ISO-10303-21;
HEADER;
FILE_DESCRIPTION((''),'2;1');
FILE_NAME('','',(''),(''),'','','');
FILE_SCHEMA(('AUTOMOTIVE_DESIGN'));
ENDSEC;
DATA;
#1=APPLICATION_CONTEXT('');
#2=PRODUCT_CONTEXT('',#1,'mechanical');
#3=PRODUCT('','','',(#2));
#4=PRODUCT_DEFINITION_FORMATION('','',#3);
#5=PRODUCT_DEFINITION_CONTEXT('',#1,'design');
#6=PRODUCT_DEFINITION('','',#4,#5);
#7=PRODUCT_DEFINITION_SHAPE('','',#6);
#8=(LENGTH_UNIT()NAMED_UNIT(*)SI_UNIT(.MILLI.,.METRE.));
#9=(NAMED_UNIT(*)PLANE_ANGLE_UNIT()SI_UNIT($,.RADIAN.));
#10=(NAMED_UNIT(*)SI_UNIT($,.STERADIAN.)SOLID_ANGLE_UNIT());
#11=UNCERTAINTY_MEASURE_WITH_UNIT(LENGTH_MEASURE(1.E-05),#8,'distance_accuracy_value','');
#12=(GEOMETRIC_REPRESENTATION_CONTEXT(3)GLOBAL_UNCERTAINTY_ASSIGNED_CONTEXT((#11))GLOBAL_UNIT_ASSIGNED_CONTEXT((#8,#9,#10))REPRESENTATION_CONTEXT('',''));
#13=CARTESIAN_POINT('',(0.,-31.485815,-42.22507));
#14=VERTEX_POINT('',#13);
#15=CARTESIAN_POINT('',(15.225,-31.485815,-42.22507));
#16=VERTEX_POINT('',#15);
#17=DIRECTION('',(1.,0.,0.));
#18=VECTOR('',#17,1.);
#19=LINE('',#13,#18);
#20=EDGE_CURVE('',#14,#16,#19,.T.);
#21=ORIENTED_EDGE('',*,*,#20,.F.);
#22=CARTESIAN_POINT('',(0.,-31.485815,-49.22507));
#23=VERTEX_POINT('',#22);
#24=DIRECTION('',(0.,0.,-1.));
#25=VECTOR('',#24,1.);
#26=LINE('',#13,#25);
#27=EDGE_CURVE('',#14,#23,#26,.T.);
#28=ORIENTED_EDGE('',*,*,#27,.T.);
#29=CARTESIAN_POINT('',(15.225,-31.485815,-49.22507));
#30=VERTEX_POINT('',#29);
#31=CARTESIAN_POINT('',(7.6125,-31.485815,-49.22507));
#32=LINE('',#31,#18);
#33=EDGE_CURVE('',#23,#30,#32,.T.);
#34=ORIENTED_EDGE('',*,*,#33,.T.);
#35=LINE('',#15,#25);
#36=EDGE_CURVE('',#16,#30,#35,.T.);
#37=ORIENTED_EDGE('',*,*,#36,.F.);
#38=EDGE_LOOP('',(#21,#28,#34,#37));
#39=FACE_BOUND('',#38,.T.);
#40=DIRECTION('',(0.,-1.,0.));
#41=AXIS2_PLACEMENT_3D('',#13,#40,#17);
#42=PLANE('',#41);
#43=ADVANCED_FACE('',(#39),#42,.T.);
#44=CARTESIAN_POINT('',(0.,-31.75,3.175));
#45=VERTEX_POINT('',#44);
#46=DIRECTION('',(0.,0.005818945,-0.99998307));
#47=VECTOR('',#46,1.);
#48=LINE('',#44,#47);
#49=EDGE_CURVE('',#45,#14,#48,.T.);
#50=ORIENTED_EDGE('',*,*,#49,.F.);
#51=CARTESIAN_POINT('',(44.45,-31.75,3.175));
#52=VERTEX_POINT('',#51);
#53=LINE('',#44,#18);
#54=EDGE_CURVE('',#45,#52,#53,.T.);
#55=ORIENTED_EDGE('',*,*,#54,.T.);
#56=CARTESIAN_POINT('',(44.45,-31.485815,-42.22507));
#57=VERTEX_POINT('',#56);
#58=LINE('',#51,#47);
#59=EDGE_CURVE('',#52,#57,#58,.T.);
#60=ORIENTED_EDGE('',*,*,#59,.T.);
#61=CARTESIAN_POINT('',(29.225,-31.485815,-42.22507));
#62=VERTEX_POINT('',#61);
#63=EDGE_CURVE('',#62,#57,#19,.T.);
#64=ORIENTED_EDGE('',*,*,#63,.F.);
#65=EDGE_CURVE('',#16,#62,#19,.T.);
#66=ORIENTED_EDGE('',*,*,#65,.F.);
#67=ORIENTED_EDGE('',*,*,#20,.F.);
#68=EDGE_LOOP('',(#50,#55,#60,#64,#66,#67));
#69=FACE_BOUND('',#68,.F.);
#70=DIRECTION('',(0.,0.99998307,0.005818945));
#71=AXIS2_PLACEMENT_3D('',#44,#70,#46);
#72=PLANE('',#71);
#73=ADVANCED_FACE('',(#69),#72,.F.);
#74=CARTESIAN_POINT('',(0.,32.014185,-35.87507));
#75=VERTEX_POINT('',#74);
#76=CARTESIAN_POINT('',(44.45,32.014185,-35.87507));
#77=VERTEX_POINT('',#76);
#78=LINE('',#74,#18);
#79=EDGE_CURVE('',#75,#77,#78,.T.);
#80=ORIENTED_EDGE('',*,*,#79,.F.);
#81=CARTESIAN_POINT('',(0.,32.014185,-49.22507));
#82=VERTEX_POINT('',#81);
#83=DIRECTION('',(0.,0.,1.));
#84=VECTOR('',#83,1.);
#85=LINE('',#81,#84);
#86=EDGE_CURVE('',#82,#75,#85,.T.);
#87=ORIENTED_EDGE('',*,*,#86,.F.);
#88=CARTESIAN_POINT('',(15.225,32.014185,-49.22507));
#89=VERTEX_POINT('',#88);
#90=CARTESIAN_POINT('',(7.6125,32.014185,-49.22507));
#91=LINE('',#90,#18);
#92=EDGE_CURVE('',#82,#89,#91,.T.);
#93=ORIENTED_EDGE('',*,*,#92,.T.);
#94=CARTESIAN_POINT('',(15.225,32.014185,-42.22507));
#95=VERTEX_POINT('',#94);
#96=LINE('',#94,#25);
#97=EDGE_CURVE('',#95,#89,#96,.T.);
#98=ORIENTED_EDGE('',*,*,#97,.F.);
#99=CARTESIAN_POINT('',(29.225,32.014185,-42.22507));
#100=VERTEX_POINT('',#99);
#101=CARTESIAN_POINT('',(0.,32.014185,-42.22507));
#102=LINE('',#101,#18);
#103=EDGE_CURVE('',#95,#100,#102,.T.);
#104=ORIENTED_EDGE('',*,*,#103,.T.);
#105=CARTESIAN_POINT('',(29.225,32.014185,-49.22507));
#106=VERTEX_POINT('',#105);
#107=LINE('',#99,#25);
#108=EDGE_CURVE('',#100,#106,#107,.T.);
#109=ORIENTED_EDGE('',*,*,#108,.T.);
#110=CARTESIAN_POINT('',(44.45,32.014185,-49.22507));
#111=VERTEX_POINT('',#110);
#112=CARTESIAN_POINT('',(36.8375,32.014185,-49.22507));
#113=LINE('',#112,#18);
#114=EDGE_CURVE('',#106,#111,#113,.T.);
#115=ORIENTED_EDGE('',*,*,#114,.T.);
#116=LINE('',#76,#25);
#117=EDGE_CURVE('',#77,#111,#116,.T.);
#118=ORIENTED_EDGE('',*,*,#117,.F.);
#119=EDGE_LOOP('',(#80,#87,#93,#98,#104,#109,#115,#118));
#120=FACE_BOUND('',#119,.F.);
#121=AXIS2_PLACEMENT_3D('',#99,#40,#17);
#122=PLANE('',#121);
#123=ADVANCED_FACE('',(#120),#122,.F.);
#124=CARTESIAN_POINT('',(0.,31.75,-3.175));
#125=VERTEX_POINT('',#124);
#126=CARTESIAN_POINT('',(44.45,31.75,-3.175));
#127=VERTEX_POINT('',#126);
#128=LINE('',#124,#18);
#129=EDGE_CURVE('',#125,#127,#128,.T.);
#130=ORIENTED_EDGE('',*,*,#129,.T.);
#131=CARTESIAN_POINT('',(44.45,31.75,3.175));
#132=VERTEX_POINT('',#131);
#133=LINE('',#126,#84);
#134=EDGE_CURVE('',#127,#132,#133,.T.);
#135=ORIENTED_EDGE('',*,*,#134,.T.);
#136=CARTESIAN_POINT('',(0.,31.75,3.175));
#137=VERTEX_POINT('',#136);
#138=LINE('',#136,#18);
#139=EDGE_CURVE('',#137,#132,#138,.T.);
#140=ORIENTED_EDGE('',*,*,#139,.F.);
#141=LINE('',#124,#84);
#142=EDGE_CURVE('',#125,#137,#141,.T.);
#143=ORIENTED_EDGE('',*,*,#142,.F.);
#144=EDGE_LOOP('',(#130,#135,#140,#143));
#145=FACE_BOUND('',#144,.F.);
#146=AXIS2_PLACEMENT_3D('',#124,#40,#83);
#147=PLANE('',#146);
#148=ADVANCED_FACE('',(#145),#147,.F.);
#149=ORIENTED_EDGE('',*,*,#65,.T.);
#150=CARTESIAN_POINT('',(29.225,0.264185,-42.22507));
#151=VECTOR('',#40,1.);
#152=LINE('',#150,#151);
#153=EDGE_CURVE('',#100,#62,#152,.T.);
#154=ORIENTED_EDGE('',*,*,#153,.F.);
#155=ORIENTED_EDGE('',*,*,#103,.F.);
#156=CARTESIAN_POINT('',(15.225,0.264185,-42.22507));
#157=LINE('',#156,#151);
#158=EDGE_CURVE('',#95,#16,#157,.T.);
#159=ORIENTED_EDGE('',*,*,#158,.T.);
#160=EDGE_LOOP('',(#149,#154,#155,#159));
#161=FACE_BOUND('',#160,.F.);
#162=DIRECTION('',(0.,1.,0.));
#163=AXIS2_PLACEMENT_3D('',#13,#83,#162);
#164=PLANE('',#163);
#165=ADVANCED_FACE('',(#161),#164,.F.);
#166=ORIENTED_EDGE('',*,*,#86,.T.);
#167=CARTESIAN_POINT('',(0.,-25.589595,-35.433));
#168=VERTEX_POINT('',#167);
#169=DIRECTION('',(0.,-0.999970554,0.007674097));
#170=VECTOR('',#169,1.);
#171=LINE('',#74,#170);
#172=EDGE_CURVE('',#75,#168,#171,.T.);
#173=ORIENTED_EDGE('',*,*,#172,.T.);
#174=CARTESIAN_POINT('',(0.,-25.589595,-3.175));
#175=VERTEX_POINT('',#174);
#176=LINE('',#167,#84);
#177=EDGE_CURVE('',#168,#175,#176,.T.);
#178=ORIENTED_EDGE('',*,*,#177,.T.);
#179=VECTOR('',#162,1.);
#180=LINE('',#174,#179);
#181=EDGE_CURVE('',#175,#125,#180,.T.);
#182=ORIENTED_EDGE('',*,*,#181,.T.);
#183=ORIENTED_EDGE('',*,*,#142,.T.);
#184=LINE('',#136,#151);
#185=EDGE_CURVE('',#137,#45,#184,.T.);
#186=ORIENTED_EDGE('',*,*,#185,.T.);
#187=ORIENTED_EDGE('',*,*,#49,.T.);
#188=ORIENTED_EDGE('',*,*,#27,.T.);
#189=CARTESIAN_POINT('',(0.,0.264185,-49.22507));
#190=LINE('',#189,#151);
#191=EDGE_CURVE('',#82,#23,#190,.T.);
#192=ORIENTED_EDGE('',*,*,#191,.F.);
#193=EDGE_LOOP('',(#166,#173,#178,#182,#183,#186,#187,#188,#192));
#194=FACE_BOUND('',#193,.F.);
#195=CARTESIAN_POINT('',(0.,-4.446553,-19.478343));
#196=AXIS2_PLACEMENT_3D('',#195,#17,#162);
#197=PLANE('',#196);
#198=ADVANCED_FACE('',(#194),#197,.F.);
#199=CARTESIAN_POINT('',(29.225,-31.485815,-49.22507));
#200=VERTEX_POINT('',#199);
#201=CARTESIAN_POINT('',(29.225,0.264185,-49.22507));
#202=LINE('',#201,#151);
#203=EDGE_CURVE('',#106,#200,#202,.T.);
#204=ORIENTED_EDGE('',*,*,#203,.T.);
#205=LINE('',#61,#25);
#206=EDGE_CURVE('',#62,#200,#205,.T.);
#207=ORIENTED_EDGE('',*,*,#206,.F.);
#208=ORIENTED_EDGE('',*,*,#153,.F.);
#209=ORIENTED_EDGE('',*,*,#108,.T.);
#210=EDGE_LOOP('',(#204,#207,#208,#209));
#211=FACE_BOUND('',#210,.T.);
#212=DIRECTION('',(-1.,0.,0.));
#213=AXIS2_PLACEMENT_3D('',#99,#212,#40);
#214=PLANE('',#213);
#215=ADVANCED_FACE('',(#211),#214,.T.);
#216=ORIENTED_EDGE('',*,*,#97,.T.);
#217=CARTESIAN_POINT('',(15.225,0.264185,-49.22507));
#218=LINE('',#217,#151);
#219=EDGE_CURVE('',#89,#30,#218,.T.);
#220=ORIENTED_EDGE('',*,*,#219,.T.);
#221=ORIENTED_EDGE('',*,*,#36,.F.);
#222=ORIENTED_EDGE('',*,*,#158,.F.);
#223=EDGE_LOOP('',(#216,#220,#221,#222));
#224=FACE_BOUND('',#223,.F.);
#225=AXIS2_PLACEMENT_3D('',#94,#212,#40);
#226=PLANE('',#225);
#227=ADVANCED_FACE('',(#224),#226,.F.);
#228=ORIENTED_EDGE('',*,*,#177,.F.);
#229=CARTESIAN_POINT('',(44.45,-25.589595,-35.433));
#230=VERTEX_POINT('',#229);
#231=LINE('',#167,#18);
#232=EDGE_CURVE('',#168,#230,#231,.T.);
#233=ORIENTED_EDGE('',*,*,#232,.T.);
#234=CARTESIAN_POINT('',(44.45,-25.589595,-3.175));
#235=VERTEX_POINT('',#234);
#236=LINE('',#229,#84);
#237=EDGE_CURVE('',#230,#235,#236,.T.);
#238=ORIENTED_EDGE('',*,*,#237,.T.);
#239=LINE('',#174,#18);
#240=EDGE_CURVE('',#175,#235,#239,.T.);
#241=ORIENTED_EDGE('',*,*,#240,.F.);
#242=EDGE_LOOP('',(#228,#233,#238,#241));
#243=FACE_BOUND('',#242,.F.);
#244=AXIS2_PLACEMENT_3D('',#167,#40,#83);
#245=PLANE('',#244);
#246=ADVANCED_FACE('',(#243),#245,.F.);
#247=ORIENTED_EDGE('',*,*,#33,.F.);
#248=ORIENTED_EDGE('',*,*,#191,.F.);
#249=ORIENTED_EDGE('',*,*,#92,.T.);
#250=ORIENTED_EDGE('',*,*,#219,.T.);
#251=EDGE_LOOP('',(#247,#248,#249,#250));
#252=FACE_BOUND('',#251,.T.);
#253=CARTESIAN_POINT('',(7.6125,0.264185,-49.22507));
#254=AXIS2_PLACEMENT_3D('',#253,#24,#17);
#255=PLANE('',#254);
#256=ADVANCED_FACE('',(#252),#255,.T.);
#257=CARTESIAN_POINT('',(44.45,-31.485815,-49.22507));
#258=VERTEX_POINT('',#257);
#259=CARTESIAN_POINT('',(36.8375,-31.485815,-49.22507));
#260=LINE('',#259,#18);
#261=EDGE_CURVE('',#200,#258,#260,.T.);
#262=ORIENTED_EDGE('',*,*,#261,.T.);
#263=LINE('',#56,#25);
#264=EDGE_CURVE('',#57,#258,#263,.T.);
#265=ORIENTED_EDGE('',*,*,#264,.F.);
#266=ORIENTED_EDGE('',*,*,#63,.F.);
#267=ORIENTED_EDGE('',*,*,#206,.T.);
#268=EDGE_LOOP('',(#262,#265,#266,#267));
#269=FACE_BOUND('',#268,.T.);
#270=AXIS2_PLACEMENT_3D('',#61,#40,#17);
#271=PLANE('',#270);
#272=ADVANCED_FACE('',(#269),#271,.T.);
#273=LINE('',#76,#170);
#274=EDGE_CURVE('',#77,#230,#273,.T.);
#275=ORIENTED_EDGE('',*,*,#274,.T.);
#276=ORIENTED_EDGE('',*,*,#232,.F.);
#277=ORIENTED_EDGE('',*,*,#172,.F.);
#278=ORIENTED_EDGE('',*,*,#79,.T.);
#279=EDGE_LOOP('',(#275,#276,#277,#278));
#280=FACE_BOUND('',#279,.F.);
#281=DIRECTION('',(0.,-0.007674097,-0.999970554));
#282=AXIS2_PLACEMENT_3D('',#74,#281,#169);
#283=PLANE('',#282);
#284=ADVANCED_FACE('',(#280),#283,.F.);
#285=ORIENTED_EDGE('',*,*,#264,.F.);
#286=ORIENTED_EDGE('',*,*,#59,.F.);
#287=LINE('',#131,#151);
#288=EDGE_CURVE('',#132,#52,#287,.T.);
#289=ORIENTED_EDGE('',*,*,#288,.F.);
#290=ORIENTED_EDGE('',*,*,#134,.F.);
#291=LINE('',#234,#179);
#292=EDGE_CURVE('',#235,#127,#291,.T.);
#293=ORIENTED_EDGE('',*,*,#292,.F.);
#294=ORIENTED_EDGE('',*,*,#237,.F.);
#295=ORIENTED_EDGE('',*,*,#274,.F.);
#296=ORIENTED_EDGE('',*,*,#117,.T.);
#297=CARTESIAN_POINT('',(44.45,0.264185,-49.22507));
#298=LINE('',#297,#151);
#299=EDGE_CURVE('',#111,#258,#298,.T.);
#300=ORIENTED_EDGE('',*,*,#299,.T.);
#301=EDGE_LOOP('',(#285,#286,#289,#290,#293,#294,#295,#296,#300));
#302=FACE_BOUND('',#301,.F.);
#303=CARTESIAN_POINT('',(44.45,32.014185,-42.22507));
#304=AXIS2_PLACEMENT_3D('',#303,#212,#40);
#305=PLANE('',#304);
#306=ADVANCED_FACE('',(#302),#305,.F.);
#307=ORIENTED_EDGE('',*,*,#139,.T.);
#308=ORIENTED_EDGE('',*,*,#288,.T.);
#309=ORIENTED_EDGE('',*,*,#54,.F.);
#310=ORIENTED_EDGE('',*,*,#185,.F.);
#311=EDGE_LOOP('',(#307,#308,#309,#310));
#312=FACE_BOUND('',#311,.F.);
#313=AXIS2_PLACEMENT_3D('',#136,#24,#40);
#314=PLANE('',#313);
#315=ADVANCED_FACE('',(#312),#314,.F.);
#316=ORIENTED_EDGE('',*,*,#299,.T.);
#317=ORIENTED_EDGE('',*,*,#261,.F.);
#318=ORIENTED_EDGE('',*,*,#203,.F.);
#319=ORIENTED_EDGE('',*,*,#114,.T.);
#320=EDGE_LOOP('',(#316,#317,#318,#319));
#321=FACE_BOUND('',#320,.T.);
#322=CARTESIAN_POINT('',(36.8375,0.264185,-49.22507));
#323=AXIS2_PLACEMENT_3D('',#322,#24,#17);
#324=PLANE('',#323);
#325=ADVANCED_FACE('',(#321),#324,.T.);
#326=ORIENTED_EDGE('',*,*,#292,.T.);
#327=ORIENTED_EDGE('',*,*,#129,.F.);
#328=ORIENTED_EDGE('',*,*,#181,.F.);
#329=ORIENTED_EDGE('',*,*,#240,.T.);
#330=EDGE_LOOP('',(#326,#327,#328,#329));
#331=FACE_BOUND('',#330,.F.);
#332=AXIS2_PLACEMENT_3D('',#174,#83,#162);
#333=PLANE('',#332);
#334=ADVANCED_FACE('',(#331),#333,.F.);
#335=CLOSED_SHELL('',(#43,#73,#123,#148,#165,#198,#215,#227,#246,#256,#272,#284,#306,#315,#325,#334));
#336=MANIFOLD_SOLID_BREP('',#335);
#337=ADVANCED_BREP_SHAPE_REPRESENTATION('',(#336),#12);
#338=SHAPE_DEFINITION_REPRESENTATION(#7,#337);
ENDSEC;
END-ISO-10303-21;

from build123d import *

# Parameters (mm, degrees)
F1_DEPTH = 44.45
F2_W     = 15.225
F2_H     = 63.5
F3_DEPTH = 7


with BuildPart() as f1:
    # F0 (on Right) → F1 (new body)
    with BuildSketch(Plane.YZ):
        Polygon((-25.589595, -3.175), (31.75, -3.175), (31.75, 3.175), (-31.75, 3.175), (-31.485815, -42.22507), (32.014185, -42.22507), (32.014185, -35.87507), (-25.589595, -35.433), align=None)
    extrude(amount=F1_DEPTH)

    # F2 (on face) → F3 (join)
    with BuildSketch(Plane(origin=(0, 0, -42.22507), x_dir=(1, 0, 0), z_dir=(0, 0, -1))):
        with Locations((36.8375, -0.264185)):
            Rectangle(F2_W, F2_H)
        with Locations((7.6125, -0.264185)):
            Rectangle(F2_W, F2_H)
    extrude(amount=F3_DEPTH)


solid = f1.part
